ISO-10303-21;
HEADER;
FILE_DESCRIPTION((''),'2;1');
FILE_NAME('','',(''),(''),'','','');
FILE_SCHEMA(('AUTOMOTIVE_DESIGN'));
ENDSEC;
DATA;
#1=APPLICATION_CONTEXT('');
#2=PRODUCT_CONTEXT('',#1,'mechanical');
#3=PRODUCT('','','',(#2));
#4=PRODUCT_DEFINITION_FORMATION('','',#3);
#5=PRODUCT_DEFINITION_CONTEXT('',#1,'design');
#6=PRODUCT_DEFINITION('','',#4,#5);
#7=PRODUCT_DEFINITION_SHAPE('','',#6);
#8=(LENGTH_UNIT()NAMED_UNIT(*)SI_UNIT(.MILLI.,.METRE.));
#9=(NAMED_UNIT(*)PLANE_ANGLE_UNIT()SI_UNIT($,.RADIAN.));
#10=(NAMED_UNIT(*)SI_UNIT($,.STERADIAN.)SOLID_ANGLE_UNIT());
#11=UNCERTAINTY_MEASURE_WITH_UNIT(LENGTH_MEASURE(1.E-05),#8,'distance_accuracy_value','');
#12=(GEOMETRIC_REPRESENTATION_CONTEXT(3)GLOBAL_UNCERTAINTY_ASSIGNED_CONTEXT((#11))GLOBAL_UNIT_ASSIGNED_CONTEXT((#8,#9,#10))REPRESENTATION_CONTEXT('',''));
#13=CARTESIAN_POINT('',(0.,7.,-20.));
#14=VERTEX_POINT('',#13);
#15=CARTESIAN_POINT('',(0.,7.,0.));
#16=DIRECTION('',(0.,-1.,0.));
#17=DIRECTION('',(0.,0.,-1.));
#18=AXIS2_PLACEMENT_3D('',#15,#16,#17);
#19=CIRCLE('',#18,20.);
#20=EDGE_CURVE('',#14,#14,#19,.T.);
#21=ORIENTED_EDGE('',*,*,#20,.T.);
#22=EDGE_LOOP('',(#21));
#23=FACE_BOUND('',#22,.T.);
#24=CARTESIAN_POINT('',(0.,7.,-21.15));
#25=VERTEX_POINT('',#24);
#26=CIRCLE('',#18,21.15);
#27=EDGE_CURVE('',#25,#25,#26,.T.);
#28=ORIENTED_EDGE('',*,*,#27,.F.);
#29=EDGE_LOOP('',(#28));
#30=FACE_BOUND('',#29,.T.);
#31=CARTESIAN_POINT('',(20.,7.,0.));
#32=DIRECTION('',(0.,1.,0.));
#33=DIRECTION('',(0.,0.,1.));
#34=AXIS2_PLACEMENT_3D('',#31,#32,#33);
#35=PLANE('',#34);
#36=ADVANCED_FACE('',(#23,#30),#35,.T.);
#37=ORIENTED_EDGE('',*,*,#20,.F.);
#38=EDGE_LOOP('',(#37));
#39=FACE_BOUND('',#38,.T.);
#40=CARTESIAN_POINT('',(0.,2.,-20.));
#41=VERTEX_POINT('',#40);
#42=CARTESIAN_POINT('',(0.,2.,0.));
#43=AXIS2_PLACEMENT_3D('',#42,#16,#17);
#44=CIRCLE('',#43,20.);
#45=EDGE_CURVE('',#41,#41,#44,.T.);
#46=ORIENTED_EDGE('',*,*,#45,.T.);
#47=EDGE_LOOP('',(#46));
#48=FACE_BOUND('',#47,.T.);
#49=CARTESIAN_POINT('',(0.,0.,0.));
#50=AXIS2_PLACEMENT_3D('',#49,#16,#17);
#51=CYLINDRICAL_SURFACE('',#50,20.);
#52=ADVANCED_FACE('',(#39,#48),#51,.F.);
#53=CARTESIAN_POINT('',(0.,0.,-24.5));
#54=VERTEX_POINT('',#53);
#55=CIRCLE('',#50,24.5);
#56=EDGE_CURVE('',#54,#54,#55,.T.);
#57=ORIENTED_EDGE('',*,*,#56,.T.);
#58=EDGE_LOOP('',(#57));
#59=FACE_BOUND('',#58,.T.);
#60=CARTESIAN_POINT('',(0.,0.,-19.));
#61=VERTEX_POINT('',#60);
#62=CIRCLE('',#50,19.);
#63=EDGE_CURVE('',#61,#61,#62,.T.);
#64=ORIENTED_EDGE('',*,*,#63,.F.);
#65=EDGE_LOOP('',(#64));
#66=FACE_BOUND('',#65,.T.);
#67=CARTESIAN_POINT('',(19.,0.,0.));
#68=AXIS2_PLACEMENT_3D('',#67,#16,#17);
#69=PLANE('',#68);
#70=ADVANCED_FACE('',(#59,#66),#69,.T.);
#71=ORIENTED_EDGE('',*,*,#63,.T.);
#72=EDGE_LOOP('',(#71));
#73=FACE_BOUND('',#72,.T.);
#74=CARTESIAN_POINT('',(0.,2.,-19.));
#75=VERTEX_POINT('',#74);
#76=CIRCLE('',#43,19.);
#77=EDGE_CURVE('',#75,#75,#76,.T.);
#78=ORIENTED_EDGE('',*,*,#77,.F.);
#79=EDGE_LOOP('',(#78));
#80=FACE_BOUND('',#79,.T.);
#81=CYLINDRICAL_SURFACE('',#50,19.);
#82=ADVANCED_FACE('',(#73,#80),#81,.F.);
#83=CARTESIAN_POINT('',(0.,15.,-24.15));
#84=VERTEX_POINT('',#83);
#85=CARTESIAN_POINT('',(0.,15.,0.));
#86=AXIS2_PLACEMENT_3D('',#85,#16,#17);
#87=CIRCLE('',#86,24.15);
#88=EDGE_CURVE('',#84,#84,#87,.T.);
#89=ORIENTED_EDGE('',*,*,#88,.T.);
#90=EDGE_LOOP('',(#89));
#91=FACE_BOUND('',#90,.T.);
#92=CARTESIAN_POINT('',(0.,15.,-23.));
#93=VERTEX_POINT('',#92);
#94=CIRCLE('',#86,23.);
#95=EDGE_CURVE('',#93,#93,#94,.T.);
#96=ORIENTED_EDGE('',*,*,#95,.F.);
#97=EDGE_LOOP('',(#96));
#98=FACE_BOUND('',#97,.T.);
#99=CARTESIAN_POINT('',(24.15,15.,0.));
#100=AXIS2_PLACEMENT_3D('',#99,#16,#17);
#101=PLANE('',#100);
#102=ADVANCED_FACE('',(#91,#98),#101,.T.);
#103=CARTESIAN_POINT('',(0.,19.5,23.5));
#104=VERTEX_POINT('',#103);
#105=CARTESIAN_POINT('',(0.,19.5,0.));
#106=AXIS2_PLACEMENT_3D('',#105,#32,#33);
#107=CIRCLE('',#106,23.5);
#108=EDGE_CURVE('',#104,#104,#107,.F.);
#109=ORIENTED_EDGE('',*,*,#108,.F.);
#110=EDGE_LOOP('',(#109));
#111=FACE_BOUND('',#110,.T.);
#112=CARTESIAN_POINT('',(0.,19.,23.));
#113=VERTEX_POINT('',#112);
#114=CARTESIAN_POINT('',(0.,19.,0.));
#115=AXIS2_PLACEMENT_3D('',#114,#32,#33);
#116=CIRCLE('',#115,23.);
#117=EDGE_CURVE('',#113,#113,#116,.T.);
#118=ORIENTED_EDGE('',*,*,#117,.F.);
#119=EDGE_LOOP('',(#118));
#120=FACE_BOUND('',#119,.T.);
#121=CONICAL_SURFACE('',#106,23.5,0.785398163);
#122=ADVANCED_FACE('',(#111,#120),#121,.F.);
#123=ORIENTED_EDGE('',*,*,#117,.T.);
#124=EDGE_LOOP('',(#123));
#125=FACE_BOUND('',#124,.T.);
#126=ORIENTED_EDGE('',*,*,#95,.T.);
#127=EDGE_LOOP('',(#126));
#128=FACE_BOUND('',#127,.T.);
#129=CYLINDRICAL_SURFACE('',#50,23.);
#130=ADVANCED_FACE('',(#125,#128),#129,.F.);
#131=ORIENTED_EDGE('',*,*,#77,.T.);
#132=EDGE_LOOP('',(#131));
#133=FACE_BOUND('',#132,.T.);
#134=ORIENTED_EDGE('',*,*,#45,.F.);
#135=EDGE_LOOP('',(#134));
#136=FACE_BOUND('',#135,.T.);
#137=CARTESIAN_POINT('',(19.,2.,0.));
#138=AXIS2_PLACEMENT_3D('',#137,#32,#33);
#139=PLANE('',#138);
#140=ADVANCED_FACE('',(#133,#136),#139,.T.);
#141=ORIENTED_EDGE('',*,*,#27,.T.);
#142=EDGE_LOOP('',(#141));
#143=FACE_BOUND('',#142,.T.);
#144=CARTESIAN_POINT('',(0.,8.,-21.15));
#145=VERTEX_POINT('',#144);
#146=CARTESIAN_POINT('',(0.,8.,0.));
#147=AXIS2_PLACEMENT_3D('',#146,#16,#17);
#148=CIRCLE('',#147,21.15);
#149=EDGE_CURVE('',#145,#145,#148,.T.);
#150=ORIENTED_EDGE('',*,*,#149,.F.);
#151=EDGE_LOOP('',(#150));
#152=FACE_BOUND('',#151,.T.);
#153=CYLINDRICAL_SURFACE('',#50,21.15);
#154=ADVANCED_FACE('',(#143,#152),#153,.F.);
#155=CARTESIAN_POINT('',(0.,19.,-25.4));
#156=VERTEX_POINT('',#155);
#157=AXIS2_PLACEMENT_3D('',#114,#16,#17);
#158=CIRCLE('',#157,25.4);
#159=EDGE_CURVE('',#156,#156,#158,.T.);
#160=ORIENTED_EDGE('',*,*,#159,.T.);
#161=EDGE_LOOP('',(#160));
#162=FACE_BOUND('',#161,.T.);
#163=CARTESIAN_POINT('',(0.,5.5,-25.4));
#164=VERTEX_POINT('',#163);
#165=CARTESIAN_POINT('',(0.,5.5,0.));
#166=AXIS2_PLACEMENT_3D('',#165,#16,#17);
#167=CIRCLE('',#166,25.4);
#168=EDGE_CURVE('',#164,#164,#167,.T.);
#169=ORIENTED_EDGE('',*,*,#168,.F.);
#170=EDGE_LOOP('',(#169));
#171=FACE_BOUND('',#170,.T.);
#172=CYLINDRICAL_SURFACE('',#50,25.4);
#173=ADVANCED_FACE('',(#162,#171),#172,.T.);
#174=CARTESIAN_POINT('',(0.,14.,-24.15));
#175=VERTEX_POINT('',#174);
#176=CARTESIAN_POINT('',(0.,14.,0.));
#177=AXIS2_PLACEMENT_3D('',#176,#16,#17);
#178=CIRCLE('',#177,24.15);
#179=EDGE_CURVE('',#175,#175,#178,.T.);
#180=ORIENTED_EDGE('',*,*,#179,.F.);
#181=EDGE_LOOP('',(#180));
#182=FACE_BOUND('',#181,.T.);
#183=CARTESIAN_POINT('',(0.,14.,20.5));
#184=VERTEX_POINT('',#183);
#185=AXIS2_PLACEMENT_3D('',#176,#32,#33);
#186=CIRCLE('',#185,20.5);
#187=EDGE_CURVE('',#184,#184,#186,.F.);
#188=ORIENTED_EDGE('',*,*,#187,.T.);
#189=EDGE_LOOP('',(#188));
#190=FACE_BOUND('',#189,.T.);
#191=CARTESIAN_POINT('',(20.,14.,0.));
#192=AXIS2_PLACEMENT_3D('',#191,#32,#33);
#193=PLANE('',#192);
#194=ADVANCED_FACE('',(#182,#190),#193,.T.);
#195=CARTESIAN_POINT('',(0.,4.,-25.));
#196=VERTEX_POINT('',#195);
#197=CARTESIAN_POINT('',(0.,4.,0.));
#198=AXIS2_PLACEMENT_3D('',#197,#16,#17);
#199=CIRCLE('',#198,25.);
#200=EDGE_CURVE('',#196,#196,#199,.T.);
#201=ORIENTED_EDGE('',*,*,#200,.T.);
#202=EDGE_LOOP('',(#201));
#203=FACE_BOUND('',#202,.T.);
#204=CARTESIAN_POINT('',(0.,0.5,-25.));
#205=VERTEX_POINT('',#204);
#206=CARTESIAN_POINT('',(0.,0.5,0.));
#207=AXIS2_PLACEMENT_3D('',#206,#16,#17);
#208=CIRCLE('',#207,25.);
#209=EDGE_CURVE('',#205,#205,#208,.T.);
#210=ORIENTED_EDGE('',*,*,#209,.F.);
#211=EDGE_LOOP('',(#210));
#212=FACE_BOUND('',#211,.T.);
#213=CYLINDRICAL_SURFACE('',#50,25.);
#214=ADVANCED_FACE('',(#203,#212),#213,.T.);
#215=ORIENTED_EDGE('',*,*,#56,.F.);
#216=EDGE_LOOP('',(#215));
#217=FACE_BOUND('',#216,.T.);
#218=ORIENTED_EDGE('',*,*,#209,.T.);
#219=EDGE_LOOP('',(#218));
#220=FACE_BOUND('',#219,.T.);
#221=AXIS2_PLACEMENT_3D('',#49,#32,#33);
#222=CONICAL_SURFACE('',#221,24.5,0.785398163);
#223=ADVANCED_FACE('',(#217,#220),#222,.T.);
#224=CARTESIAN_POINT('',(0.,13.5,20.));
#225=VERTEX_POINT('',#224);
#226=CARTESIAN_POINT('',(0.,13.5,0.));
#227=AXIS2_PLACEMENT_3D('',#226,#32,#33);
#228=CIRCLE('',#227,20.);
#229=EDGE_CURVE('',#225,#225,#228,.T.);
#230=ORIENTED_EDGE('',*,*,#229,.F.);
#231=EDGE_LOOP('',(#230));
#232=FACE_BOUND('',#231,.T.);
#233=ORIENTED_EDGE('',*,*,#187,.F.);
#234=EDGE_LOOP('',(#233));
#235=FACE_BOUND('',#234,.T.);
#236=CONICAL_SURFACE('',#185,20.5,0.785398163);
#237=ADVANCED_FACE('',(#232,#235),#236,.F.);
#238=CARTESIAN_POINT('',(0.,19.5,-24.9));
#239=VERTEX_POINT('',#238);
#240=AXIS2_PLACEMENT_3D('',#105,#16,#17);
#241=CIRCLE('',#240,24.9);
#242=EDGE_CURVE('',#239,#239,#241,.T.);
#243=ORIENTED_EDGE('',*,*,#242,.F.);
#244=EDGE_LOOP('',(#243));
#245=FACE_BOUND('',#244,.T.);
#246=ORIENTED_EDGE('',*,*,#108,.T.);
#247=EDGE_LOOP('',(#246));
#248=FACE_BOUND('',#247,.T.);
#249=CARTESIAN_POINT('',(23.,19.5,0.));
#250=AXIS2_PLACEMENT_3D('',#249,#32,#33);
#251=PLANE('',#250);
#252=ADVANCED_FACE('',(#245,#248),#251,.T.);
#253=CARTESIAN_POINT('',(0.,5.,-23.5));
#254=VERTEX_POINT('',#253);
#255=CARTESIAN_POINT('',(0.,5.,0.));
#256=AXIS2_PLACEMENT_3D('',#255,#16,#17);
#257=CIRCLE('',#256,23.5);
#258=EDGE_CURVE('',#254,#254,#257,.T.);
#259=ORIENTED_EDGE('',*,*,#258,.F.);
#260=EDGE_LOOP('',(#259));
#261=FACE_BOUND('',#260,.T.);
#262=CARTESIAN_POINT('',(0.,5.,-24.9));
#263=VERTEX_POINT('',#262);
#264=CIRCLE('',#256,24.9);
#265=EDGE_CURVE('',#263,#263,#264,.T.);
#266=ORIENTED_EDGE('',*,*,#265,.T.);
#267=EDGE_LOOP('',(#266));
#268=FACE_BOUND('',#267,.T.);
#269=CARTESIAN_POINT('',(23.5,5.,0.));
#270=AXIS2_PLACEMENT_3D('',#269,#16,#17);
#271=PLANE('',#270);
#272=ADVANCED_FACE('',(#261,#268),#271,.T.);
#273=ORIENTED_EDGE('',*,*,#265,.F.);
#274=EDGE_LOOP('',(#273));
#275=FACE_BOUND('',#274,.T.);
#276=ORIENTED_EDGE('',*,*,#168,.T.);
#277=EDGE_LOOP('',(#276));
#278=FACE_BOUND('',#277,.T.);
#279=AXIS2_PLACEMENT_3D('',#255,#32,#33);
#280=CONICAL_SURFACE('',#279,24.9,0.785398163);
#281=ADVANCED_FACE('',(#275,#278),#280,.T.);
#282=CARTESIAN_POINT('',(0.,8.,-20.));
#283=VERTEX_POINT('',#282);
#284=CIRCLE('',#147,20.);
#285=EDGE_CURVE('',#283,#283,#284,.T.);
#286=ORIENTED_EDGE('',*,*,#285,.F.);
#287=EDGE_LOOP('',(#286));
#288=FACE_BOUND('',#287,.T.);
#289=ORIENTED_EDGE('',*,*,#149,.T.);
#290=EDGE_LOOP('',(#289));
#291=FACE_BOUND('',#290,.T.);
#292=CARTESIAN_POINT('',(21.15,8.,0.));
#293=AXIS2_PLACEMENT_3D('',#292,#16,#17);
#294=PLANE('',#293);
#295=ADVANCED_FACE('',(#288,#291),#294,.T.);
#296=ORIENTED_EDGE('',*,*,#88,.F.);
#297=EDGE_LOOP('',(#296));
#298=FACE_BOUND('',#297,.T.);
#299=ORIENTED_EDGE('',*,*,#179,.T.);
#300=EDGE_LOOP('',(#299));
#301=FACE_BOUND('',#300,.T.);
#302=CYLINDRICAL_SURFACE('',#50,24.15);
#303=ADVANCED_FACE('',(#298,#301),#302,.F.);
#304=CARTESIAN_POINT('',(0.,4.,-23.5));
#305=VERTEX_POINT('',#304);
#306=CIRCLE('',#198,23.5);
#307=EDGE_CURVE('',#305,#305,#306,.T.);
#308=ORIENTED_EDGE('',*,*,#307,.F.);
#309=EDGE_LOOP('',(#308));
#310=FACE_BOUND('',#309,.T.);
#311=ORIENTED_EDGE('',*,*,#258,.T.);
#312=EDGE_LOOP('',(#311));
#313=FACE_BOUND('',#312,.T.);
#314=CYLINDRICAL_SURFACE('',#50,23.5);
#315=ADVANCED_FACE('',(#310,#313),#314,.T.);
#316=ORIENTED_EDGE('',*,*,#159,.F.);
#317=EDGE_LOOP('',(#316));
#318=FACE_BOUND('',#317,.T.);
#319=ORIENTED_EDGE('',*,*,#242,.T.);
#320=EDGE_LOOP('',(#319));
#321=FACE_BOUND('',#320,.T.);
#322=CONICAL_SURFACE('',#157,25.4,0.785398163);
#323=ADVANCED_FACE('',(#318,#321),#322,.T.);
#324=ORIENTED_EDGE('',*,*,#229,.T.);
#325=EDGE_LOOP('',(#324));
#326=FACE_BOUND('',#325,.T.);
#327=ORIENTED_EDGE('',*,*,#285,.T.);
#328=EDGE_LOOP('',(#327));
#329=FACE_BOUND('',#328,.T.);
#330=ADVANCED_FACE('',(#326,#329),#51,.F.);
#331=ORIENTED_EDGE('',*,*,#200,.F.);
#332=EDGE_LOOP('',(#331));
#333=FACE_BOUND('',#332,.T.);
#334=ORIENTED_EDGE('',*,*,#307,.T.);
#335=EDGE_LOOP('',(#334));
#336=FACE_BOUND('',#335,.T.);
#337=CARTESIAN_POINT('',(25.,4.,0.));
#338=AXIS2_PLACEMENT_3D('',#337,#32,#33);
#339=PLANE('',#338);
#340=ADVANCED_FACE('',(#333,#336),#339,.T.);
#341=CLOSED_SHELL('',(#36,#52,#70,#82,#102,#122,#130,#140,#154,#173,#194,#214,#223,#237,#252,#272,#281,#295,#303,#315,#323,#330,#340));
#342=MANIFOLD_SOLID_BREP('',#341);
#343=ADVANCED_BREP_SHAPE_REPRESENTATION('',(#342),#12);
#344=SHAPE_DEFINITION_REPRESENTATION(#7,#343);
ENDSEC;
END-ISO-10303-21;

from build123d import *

# Parameters (mm, degrees)
CHAMFER_1_SIZE = 0.5


with BuildPart() as part:
    # 草图1 → 旋转1 (revolve)
    with BuildSketch(Plane.XY, mode=Mode.PRIVATE) as revolve_1_sk:
        Polygon((19, 0), (19, 2), (20, 2), (20, 7), (21.15, 7), (21.15, 8), (20, 8), (20, 14), (24.15, 14), (24.15, 15), (23, 15), (23, 19.5), (24.9, 19.5), (25.4, 19), (25.4, 5.5), (24.9, 5), (23.5, 5), (23.5, 4), (25, 4), (25, 0.5), (24.5, 0), align=None)
    revolve(revolve_1_sk.sketch.rotate(Axis((0, 0, 0), (0, 1, 0)), 90), axis=Axis((0, 0, 0), (0, 1, 0)))  # turned: the seam where the file's is

    # 倒角1
    chamfer_1_edges = [part.edges().sort_by_distance(p)[0] for p in [
        (0, 14, 20),
        (0, 19.5, 23),
    ]]
    chamfer(chamfer_1_edges, length=CHAMFER_1_SIZE)


solid = part.part
